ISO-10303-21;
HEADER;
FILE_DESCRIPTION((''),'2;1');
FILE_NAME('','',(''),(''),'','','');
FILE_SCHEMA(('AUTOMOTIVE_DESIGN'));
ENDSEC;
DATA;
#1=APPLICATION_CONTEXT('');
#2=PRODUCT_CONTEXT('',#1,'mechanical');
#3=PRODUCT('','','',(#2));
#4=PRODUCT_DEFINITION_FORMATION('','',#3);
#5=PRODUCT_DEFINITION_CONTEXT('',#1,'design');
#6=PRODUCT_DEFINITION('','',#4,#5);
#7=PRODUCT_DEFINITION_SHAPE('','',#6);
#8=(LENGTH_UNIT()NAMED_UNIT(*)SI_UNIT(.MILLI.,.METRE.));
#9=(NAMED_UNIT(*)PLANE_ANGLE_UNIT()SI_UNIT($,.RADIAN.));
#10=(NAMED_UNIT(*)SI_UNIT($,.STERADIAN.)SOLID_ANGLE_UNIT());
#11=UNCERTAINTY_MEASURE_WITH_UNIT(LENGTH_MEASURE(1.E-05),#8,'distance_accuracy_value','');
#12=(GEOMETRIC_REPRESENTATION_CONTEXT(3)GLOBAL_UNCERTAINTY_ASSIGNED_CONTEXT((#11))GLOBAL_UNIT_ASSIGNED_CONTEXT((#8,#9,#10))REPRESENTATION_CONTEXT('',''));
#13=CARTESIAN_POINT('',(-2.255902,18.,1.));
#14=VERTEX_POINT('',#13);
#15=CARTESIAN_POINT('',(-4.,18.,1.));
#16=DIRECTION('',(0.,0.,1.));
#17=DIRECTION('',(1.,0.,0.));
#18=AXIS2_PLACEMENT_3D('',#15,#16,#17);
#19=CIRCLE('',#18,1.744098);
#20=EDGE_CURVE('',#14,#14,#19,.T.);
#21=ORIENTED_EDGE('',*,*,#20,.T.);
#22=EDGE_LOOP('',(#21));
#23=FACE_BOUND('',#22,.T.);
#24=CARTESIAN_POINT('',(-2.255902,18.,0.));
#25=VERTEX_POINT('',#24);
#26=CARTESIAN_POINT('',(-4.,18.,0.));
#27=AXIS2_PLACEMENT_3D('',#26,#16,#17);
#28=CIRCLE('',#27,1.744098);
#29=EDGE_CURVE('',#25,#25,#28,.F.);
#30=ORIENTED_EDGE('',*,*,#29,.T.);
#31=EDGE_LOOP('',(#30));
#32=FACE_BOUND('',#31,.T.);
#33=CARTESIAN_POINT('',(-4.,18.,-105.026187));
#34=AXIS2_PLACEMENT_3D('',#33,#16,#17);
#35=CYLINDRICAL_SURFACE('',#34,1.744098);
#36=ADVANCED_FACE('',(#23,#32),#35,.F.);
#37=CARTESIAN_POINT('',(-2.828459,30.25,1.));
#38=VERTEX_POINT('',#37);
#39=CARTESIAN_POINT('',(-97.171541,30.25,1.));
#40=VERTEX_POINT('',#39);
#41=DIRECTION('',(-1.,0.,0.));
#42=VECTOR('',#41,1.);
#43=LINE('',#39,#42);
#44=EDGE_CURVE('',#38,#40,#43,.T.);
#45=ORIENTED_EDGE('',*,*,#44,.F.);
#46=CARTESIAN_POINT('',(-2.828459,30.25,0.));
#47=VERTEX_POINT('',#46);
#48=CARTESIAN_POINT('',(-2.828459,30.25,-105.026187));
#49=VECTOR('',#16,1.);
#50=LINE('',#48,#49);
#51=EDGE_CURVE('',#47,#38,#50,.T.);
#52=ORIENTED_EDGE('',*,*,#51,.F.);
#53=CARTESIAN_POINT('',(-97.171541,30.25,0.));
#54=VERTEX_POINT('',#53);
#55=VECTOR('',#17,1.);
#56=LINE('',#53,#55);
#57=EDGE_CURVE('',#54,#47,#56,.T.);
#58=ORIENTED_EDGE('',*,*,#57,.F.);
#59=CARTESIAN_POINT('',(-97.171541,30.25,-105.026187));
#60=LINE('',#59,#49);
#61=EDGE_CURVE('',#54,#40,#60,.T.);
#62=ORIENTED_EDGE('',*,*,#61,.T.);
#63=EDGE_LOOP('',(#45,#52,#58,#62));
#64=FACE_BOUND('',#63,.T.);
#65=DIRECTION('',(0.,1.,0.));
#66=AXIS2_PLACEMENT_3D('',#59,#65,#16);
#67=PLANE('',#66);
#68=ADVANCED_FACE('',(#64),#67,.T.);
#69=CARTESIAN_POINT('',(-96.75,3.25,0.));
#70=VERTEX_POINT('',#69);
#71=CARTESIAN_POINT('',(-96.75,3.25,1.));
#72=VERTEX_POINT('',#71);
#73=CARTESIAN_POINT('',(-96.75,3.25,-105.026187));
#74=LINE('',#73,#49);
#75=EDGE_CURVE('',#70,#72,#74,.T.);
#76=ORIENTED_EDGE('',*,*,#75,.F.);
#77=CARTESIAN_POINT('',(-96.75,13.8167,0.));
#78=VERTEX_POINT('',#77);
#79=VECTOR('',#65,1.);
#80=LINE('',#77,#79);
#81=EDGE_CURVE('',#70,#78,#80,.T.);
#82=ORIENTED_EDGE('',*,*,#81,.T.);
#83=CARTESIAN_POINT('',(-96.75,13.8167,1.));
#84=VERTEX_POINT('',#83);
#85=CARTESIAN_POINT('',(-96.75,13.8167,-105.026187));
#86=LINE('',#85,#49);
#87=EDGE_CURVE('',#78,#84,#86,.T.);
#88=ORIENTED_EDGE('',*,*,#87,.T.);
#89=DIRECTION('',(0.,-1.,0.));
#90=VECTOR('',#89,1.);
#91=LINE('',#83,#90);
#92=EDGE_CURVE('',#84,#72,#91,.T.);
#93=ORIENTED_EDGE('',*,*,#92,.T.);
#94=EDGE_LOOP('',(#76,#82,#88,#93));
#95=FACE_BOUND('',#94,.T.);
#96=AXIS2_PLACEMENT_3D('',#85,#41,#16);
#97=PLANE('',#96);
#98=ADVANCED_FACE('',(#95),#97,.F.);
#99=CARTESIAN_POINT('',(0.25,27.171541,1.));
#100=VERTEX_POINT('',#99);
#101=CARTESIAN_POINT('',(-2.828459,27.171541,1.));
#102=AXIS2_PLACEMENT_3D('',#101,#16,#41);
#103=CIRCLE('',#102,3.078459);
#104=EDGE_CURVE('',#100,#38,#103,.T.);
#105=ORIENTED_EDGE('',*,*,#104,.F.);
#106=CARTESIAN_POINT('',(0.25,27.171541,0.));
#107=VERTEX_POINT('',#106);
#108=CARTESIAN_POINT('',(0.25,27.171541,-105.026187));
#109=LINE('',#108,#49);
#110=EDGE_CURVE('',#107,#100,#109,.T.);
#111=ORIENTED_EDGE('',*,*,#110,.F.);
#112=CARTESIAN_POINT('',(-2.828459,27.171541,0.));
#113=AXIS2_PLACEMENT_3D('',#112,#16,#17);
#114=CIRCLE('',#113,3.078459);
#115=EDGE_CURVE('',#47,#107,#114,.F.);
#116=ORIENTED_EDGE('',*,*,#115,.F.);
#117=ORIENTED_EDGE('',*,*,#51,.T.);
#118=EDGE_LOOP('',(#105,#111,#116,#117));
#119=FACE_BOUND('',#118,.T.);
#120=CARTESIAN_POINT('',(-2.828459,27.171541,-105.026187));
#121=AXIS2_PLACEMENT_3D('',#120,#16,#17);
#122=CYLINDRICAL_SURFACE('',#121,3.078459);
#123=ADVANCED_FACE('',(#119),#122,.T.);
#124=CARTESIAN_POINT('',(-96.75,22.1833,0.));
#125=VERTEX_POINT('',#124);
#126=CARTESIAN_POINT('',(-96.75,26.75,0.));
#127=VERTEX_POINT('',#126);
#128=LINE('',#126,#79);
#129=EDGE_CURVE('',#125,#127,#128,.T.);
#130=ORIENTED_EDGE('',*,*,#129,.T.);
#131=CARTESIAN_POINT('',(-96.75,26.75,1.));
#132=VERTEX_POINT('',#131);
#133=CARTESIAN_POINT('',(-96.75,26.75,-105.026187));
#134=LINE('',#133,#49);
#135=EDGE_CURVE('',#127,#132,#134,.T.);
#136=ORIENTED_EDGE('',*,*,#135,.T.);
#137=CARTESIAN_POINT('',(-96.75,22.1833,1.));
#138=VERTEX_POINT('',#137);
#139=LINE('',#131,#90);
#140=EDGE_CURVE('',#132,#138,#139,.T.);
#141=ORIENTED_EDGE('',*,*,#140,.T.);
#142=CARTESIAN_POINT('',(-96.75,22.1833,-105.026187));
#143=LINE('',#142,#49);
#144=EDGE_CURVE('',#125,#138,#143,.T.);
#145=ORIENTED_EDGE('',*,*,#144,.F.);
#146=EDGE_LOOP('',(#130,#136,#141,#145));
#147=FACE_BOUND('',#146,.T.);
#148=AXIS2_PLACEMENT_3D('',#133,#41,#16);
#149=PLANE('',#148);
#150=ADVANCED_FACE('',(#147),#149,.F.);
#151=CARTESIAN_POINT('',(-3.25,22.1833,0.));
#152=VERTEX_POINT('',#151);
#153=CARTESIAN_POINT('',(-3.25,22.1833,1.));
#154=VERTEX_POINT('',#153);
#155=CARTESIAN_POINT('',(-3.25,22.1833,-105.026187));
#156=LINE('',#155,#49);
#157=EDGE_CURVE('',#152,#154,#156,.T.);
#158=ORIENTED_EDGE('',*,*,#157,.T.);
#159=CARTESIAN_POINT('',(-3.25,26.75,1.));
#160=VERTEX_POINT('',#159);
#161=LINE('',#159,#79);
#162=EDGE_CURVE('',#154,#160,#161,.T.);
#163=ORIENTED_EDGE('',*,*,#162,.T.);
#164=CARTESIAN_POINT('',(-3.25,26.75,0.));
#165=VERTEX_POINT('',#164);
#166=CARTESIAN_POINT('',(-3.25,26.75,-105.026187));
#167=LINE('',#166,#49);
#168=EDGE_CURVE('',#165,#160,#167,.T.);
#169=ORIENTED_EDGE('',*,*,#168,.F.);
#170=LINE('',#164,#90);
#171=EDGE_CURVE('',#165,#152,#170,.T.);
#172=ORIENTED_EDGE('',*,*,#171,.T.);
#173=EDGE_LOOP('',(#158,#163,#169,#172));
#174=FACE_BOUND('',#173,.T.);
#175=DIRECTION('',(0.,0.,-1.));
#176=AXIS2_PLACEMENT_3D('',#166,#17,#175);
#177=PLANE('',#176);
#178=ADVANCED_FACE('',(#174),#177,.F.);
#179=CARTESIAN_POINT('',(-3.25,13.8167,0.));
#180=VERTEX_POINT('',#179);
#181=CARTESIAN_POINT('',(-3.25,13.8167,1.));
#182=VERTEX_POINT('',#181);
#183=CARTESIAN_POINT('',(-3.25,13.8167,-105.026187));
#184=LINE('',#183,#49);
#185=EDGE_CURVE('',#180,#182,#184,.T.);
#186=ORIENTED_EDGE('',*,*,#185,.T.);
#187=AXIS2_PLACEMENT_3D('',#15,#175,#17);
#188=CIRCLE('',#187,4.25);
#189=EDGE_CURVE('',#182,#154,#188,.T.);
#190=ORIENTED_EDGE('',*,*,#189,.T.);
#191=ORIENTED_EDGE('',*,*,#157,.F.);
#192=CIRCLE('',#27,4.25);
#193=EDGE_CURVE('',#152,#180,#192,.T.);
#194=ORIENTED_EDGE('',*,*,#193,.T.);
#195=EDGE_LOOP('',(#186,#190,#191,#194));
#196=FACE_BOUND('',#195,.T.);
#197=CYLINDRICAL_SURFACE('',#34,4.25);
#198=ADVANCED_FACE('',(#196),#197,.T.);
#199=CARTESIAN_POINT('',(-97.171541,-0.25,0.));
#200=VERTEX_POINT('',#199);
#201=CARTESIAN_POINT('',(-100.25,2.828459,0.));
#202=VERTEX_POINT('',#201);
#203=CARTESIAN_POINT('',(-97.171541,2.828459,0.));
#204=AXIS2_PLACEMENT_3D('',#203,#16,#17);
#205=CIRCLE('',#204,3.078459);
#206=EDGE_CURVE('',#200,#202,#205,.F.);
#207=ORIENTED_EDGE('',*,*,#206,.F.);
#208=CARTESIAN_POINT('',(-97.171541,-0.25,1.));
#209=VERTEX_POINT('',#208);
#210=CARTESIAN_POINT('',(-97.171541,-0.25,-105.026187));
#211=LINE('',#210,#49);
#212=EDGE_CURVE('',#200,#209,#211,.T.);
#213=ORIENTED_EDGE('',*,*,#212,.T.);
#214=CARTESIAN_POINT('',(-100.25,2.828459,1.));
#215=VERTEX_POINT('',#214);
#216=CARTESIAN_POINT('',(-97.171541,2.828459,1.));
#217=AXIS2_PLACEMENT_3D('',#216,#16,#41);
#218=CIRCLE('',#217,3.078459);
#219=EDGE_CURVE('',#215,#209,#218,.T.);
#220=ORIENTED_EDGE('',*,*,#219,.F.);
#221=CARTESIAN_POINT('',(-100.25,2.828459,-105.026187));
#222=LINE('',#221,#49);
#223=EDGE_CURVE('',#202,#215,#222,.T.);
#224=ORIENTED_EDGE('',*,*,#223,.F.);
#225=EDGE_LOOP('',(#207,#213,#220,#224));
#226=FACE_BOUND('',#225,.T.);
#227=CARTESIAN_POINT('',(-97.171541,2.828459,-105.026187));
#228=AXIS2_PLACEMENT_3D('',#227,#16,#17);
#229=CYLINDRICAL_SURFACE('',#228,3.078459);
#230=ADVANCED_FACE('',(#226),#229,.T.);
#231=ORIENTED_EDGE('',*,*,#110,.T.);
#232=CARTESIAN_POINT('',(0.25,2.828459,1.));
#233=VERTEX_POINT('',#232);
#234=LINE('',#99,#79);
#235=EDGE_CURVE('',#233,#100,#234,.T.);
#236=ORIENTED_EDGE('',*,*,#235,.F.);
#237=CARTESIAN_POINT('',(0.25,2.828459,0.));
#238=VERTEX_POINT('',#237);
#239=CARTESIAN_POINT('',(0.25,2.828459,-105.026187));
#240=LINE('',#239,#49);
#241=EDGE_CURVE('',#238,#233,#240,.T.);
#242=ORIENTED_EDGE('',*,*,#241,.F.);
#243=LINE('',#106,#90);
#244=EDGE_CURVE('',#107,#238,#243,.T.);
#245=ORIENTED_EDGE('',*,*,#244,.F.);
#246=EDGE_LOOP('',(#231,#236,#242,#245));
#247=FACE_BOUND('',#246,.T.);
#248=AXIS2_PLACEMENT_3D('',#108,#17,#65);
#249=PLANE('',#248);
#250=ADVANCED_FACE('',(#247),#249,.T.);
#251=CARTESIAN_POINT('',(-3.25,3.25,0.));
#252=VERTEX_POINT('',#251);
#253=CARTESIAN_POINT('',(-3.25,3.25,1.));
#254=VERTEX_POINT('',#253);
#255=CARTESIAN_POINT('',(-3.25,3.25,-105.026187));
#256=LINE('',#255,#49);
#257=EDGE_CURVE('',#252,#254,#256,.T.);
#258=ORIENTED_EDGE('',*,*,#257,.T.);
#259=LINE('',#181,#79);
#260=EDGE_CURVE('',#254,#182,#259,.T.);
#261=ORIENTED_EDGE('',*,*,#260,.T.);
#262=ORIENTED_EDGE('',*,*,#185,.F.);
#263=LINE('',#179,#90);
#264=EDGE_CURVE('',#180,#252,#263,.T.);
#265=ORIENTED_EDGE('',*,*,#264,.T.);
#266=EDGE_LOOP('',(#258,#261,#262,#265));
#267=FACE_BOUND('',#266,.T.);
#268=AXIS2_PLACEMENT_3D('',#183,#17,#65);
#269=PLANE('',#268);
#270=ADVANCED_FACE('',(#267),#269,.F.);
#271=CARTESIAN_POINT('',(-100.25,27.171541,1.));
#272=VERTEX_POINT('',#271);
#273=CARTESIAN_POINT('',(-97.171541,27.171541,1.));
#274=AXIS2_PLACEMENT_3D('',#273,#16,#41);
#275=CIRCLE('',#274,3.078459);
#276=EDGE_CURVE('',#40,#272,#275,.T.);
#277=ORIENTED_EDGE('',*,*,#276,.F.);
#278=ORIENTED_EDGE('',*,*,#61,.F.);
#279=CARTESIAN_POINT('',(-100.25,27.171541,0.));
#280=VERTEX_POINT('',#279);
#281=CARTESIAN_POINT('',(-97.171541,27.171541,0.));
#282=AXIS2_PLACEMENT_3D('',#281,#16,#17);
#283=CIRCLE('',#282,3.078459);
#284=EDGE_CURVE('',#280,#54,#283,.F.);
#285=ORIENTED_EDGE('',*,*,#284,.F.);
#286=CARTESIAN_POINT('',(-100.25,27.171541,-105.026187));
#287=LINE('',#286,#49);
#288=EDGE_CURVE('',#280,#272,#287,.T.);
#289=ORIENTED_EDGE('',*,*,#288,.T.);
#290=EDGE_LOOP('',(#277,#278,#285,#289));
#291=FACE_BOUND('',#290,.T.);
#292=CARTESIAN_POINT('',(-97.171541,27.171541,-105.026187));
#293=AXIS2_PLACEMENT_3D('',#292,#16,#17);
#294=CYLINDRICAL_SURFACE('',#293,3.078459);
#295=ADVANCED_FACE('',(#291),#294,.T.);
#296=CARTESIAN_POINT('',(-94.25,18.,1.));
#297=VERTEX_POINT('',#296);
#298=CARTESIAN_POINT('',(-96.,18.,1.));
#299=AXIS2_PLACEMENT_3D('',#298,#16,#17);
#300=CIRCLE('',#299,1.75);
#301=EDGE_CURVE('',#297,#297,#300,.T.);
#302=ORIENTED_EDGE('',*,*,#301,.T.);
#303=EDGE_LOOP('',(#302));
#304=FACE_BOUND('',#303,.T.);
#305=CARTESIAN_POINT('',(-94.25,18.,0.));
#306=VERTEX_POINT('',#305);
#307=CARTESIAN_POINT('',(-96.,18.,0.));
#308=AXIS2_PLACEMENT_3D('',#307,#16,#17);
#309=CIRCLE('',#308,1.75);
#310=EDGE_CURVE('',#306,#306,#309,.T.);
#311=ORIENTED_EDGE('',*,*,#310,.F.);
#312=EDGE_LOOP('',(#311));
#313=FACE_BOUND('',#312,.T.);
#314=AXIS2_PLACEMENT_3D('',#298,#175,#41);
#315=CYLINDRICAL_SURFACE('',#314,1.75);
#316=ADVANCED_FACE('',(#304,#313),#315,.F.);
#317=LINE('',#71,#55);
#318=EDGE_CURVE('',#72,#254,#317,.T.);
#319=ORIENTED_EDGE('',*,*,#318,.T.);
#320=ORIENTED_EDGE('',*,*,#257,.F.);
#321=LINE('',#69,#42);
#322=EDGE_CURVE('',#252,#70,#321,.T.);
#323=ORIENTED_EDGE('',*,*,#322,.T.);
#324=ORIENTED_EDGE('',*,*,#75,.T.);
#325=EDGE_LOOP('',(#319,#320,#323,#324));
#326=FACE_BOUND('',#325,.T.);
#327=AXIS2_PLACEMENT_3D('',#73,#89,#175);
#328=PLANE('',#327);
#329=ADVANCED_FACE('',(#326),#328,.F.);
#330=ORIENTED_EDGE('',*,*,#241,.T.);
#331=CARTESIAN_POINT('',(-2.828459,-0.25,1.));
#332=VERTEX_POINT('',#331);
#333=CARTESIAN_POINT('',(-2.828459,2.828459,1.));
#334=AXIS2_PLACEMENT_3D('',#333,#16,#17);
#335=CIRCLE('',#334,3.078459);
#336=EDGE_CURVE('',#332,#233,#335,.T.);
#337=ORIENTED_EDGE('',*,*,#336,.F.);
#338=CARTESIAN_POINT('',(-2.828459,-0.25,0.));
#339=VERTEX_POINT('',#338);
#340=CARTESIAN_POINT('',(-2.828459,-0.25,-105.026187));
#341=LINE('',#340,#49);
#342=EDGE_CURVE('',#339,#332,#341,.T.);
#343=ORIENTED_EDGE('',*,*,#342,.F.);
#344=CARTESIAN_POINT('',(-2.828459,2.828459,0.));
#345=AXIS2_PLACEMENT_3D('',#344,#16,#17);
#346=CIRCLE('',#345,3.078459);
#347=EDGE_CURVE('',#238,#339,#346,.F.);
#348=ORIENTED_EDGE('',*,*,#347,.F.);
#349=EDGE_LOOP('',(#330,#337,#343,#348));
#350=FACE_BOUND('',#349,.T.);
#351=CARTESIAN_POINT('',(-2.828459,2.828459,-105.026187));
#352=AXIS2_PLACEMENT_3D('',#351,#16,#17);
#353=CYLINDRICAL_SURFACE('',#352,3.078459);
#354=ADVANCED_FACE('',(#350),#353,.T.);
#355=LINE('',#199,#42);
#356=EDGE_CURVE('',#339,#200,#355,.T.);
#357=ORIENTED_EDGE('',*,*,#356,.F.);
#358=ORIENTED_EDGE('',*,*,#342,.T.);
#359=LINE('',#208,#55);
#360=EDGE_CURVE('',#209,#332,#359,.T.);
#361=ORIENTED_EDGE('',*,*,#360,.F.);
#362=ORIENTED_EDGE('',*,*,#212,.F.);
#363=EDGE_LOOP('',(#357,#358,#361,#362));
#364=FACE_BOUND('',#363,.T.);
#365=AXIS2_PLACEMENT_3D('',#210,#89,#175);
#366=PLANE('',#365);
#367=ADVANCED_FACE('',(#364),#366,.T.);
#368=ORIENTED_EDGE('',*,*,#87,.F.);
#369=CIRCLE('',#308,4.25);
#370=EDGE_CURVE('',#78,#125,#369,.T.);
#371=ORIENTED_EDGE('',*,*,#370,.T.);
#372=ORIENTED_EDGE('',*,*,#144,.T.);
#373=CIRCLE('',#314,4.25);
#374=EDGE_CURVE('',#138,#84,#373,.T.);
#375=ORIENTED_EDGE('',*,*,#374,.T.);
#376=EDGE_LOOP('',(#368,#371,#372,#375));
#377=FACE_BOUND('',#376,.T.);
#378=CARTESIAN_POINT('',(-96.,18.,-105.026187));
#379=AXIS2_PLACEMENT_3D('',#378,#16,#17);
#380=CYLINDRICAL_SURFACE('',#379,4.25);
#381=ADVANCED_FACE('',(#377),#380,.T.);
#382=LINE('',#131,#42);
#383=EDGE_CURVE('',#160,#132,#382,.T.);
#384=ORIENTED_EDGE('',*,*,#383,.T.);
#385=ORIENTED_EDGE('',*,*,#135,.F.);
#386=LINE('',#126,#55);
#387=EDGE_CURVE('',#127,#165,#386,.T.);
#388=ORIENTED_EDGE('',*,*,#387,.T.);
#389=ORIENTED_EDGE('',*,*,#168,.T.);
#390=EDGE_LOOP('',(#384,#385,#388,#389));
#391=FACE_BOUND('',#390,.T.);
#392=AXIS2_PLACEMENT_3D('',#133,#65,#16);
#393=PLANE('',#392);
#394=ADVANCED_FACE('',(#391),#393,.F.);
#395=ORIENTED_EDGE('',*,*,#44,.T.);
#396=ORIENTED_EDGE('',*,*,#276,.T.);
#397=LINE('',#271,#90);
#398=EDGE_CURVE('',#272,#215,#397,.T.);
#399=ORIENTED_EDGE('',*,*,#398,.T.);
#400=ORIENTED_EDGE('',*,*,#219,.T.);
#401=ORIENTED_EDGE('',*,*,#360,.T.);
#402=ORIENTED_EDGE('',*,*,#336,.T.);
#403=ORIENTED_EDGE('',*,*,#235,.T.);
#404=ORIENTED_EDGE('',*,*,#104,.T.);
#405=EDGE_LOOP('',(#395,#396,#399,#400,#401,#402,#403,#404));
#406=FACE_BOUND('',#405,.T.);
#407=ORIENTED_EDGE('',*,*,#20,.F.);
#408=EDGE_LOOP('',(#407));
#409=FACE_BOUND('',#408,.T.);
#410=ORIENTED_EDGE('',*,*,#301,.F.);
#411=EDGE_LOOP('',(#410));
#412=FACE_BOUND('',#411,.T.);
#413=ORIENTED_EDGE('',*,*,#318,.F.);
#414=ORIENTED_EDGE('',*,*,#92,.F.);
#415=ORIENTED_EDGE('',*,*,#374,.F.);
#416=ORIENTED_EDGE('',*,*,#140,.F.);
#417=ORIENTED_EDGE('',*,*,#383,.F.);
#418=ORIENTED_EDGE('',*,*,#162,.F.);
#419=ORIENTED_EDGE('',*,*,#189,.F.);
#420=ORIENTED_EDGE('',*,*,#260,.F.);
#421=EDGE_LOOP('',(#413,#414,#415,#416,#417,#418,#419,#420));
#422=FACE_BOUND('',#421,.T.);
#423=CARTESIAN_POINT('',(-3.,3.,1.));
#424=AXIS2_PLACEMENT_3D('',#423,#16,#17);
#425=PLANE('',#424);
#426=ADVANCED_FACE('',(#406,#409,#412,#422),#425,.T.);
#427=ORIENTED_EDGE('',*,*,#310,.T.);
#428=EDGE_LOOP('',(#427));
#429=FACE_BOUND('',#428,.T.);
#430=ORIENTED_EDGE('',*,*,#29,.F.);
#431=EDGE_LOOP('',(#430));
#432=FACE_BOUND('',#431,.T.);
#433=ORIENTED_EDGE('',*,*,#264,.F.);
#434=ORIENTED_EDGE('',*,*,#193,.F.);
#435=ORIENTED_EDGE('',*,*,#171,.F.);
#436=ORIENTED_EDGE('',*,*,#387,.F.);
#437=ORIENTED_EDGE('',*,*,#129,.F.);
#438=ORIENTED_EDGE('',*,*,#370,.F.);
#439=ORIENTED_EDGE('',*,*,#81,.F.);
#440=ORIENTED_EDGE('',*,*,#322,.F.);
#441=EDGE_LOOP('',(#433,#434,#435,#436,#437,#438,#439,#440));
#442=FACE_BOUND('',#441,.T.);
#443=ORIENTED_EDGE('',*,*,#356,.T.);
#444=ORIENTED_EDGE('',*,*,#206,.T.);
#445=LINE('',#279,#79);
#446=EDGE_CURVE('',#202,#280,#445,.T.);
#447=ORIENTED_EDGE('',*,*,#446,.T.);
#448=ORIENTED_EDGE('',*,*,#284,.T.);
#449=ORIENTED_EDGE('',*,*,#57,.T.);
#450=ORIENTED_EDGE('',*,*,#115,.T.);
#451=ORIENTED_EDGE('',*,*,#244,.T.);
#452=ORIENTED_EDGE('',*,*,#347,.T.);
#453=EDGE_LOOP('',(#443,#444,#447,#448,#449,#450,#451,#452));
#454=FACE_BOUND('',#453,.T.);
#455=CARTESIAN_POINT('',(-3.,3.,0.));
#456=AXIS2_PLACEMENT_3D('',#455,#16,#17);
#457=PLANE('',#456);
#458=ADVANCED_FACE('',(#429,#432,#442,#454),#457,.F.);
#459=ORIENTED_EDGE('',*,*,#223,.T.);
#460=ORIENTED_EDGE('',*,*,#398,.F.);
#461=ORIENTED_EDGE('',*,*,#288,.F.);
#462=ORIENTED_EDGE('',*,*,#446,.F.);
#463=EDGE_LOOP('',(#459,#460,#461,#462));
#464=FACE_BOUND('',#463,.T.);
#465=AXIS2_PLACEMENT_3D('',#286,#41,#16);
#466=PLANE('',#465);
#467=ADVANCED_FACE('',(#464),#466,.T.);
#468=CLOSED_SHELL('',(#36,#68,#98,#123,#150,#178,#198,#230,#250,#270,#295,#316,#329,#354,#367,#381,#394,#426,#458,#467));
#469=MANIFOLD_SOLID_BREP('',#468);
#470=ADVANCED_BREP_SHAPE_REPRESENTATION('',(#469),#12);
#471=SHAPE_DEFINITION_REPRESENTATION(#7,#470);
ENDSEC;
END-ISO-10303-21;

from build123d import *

# Parameters (mm, degrees)
SKETCH2_R           = 1.75
BOSS_EXTRUDE1_DEPTH = 1
BOSS_EXTRUDE3_START = -1
SKETCH4_R           = 1.75
SKETCH4_R_2         = 1.744098306
BOSS_EXTRUDE3_DEPTH = 1


with BuildPart() as part:
    # Sketch2 → Boss-Extrude1 (new body)
    with BuildSketch(Plane.XY):
        with BuildLine():
            Line((0, 3), (0, 27))
            ThreePointArc((0, 27), (-0.878679656, 29.121320344), (-3, 30))
            Line((-3, 30), (-97, 30))
            ThreePointArc((-97, 30), (-99.121320344, 29.121320344), (-100, 27))
            Line((-100, 27), (-100, 3))
            ThreePointArc((-100, 3), (-99.121320344, 0.878679656), (-97, 0))
            Line((-97, 0), (-3, 0))
            ThreePointArc((-3, 0), (-0.878679656, 0.878679656), (0, 3))
        make_face()
        with Locations((-96, 18)):
            Circle(SKETCH2_R, mode=Mode.SUBTRACT)
        with Locations((-4, 18)):
            Circle(SKETCH2_R, mode=Mode.SUBTRACT)
        with BuildLine():
            Line((-97, 27), (-3, 27))
            Line((-3, 27), (-3, 21.872983346))
            ThreePointArc((-3, 21.872983346), (-8, 18), (-3, 14.127016654))
            Line((-3, 14.127016654), (-3, 3))
            Line((-3, 3), (-97, 3))
            Line((-97, 3), (-97, 14.127016654))
            ThreePointArc((-97, 14.127016654), (-92, 18), (-97, 21.872983346))
            Line((-97, 21.872983346), (-97, 27))
        make_face(mode=Mode.SUBTRACT)
    extrude(amount=BOSS_EXTRUDE1_DEPTH)

    # Sketch4 → Boss-Extrude3 (add)
    with BuildSketch(Plane.XY.offset(1).offset(BOSS_EXTRUDE3_START)):
        with BuildLine():
            Line((-97.171540794, 30.25), (-2.828459206, 30.25))
            ThreePointArc((-2.828459206, 30.25), (-0.651659826, 29.348340174), (0.25, 27.171540794))
            Line((0.25, 27.171540794), (0.25, 2.828459206))
            ThreePointArc((0.25, 2.828459206), (-0.651659826, 0.651659826), (-2.828459206, -0.25))
            Line((-2.828459206, -0.25), (-97.171540794, -0.25))
            ThreePointArc((-97.171540794, -0.25), (-99.348340174, 0.651659826), (-100.25, 2.828459206))
            Line((-100.25, 2.828459206), (-100.25, 27.171540794))
            ThreePointArc((-100.25, 27.171540794), (-99.348340174, 29.348340174), (-97.171540794, 30.25))
        make_face()
        with Locations((-96, 18)):
            Circle(SKETCH4_R, mode=Mode.SUBTRACT)
        with Locations((-4, 18)):
            Circle(SKETCH4_R_2, mode=Mode.SUBTRACT)
        with BuildLine():
            Line((-96.75, 26.75), (-3.25, 26.75))
            Line((-3.25, 26.75), (-3.25, 22.183300133))
            ThreePointArc((-3.25, 22.183300133), (-8.25, 18), (-3.25, 13.816699867))
            Line((-3.25, 13.816699867), (-3.25, 3.25))
            Line((-3.25, 3.25), (-96.75, 3.25))
            Line((-96.75, 3.25), (-96.75, 13.816699867))
            ThreePointArc((-96.75, 13.816699867), (-91.75, 18), (-96.75, 22.183300133))
            Line((-96.75, 22.183300133), (-96.75, 26.75))
        make_face(mode=Mode.SUBTRACT)
    extrude(amount=BOSS_EXTRUDE3_DEPTH)


solid = part.part
